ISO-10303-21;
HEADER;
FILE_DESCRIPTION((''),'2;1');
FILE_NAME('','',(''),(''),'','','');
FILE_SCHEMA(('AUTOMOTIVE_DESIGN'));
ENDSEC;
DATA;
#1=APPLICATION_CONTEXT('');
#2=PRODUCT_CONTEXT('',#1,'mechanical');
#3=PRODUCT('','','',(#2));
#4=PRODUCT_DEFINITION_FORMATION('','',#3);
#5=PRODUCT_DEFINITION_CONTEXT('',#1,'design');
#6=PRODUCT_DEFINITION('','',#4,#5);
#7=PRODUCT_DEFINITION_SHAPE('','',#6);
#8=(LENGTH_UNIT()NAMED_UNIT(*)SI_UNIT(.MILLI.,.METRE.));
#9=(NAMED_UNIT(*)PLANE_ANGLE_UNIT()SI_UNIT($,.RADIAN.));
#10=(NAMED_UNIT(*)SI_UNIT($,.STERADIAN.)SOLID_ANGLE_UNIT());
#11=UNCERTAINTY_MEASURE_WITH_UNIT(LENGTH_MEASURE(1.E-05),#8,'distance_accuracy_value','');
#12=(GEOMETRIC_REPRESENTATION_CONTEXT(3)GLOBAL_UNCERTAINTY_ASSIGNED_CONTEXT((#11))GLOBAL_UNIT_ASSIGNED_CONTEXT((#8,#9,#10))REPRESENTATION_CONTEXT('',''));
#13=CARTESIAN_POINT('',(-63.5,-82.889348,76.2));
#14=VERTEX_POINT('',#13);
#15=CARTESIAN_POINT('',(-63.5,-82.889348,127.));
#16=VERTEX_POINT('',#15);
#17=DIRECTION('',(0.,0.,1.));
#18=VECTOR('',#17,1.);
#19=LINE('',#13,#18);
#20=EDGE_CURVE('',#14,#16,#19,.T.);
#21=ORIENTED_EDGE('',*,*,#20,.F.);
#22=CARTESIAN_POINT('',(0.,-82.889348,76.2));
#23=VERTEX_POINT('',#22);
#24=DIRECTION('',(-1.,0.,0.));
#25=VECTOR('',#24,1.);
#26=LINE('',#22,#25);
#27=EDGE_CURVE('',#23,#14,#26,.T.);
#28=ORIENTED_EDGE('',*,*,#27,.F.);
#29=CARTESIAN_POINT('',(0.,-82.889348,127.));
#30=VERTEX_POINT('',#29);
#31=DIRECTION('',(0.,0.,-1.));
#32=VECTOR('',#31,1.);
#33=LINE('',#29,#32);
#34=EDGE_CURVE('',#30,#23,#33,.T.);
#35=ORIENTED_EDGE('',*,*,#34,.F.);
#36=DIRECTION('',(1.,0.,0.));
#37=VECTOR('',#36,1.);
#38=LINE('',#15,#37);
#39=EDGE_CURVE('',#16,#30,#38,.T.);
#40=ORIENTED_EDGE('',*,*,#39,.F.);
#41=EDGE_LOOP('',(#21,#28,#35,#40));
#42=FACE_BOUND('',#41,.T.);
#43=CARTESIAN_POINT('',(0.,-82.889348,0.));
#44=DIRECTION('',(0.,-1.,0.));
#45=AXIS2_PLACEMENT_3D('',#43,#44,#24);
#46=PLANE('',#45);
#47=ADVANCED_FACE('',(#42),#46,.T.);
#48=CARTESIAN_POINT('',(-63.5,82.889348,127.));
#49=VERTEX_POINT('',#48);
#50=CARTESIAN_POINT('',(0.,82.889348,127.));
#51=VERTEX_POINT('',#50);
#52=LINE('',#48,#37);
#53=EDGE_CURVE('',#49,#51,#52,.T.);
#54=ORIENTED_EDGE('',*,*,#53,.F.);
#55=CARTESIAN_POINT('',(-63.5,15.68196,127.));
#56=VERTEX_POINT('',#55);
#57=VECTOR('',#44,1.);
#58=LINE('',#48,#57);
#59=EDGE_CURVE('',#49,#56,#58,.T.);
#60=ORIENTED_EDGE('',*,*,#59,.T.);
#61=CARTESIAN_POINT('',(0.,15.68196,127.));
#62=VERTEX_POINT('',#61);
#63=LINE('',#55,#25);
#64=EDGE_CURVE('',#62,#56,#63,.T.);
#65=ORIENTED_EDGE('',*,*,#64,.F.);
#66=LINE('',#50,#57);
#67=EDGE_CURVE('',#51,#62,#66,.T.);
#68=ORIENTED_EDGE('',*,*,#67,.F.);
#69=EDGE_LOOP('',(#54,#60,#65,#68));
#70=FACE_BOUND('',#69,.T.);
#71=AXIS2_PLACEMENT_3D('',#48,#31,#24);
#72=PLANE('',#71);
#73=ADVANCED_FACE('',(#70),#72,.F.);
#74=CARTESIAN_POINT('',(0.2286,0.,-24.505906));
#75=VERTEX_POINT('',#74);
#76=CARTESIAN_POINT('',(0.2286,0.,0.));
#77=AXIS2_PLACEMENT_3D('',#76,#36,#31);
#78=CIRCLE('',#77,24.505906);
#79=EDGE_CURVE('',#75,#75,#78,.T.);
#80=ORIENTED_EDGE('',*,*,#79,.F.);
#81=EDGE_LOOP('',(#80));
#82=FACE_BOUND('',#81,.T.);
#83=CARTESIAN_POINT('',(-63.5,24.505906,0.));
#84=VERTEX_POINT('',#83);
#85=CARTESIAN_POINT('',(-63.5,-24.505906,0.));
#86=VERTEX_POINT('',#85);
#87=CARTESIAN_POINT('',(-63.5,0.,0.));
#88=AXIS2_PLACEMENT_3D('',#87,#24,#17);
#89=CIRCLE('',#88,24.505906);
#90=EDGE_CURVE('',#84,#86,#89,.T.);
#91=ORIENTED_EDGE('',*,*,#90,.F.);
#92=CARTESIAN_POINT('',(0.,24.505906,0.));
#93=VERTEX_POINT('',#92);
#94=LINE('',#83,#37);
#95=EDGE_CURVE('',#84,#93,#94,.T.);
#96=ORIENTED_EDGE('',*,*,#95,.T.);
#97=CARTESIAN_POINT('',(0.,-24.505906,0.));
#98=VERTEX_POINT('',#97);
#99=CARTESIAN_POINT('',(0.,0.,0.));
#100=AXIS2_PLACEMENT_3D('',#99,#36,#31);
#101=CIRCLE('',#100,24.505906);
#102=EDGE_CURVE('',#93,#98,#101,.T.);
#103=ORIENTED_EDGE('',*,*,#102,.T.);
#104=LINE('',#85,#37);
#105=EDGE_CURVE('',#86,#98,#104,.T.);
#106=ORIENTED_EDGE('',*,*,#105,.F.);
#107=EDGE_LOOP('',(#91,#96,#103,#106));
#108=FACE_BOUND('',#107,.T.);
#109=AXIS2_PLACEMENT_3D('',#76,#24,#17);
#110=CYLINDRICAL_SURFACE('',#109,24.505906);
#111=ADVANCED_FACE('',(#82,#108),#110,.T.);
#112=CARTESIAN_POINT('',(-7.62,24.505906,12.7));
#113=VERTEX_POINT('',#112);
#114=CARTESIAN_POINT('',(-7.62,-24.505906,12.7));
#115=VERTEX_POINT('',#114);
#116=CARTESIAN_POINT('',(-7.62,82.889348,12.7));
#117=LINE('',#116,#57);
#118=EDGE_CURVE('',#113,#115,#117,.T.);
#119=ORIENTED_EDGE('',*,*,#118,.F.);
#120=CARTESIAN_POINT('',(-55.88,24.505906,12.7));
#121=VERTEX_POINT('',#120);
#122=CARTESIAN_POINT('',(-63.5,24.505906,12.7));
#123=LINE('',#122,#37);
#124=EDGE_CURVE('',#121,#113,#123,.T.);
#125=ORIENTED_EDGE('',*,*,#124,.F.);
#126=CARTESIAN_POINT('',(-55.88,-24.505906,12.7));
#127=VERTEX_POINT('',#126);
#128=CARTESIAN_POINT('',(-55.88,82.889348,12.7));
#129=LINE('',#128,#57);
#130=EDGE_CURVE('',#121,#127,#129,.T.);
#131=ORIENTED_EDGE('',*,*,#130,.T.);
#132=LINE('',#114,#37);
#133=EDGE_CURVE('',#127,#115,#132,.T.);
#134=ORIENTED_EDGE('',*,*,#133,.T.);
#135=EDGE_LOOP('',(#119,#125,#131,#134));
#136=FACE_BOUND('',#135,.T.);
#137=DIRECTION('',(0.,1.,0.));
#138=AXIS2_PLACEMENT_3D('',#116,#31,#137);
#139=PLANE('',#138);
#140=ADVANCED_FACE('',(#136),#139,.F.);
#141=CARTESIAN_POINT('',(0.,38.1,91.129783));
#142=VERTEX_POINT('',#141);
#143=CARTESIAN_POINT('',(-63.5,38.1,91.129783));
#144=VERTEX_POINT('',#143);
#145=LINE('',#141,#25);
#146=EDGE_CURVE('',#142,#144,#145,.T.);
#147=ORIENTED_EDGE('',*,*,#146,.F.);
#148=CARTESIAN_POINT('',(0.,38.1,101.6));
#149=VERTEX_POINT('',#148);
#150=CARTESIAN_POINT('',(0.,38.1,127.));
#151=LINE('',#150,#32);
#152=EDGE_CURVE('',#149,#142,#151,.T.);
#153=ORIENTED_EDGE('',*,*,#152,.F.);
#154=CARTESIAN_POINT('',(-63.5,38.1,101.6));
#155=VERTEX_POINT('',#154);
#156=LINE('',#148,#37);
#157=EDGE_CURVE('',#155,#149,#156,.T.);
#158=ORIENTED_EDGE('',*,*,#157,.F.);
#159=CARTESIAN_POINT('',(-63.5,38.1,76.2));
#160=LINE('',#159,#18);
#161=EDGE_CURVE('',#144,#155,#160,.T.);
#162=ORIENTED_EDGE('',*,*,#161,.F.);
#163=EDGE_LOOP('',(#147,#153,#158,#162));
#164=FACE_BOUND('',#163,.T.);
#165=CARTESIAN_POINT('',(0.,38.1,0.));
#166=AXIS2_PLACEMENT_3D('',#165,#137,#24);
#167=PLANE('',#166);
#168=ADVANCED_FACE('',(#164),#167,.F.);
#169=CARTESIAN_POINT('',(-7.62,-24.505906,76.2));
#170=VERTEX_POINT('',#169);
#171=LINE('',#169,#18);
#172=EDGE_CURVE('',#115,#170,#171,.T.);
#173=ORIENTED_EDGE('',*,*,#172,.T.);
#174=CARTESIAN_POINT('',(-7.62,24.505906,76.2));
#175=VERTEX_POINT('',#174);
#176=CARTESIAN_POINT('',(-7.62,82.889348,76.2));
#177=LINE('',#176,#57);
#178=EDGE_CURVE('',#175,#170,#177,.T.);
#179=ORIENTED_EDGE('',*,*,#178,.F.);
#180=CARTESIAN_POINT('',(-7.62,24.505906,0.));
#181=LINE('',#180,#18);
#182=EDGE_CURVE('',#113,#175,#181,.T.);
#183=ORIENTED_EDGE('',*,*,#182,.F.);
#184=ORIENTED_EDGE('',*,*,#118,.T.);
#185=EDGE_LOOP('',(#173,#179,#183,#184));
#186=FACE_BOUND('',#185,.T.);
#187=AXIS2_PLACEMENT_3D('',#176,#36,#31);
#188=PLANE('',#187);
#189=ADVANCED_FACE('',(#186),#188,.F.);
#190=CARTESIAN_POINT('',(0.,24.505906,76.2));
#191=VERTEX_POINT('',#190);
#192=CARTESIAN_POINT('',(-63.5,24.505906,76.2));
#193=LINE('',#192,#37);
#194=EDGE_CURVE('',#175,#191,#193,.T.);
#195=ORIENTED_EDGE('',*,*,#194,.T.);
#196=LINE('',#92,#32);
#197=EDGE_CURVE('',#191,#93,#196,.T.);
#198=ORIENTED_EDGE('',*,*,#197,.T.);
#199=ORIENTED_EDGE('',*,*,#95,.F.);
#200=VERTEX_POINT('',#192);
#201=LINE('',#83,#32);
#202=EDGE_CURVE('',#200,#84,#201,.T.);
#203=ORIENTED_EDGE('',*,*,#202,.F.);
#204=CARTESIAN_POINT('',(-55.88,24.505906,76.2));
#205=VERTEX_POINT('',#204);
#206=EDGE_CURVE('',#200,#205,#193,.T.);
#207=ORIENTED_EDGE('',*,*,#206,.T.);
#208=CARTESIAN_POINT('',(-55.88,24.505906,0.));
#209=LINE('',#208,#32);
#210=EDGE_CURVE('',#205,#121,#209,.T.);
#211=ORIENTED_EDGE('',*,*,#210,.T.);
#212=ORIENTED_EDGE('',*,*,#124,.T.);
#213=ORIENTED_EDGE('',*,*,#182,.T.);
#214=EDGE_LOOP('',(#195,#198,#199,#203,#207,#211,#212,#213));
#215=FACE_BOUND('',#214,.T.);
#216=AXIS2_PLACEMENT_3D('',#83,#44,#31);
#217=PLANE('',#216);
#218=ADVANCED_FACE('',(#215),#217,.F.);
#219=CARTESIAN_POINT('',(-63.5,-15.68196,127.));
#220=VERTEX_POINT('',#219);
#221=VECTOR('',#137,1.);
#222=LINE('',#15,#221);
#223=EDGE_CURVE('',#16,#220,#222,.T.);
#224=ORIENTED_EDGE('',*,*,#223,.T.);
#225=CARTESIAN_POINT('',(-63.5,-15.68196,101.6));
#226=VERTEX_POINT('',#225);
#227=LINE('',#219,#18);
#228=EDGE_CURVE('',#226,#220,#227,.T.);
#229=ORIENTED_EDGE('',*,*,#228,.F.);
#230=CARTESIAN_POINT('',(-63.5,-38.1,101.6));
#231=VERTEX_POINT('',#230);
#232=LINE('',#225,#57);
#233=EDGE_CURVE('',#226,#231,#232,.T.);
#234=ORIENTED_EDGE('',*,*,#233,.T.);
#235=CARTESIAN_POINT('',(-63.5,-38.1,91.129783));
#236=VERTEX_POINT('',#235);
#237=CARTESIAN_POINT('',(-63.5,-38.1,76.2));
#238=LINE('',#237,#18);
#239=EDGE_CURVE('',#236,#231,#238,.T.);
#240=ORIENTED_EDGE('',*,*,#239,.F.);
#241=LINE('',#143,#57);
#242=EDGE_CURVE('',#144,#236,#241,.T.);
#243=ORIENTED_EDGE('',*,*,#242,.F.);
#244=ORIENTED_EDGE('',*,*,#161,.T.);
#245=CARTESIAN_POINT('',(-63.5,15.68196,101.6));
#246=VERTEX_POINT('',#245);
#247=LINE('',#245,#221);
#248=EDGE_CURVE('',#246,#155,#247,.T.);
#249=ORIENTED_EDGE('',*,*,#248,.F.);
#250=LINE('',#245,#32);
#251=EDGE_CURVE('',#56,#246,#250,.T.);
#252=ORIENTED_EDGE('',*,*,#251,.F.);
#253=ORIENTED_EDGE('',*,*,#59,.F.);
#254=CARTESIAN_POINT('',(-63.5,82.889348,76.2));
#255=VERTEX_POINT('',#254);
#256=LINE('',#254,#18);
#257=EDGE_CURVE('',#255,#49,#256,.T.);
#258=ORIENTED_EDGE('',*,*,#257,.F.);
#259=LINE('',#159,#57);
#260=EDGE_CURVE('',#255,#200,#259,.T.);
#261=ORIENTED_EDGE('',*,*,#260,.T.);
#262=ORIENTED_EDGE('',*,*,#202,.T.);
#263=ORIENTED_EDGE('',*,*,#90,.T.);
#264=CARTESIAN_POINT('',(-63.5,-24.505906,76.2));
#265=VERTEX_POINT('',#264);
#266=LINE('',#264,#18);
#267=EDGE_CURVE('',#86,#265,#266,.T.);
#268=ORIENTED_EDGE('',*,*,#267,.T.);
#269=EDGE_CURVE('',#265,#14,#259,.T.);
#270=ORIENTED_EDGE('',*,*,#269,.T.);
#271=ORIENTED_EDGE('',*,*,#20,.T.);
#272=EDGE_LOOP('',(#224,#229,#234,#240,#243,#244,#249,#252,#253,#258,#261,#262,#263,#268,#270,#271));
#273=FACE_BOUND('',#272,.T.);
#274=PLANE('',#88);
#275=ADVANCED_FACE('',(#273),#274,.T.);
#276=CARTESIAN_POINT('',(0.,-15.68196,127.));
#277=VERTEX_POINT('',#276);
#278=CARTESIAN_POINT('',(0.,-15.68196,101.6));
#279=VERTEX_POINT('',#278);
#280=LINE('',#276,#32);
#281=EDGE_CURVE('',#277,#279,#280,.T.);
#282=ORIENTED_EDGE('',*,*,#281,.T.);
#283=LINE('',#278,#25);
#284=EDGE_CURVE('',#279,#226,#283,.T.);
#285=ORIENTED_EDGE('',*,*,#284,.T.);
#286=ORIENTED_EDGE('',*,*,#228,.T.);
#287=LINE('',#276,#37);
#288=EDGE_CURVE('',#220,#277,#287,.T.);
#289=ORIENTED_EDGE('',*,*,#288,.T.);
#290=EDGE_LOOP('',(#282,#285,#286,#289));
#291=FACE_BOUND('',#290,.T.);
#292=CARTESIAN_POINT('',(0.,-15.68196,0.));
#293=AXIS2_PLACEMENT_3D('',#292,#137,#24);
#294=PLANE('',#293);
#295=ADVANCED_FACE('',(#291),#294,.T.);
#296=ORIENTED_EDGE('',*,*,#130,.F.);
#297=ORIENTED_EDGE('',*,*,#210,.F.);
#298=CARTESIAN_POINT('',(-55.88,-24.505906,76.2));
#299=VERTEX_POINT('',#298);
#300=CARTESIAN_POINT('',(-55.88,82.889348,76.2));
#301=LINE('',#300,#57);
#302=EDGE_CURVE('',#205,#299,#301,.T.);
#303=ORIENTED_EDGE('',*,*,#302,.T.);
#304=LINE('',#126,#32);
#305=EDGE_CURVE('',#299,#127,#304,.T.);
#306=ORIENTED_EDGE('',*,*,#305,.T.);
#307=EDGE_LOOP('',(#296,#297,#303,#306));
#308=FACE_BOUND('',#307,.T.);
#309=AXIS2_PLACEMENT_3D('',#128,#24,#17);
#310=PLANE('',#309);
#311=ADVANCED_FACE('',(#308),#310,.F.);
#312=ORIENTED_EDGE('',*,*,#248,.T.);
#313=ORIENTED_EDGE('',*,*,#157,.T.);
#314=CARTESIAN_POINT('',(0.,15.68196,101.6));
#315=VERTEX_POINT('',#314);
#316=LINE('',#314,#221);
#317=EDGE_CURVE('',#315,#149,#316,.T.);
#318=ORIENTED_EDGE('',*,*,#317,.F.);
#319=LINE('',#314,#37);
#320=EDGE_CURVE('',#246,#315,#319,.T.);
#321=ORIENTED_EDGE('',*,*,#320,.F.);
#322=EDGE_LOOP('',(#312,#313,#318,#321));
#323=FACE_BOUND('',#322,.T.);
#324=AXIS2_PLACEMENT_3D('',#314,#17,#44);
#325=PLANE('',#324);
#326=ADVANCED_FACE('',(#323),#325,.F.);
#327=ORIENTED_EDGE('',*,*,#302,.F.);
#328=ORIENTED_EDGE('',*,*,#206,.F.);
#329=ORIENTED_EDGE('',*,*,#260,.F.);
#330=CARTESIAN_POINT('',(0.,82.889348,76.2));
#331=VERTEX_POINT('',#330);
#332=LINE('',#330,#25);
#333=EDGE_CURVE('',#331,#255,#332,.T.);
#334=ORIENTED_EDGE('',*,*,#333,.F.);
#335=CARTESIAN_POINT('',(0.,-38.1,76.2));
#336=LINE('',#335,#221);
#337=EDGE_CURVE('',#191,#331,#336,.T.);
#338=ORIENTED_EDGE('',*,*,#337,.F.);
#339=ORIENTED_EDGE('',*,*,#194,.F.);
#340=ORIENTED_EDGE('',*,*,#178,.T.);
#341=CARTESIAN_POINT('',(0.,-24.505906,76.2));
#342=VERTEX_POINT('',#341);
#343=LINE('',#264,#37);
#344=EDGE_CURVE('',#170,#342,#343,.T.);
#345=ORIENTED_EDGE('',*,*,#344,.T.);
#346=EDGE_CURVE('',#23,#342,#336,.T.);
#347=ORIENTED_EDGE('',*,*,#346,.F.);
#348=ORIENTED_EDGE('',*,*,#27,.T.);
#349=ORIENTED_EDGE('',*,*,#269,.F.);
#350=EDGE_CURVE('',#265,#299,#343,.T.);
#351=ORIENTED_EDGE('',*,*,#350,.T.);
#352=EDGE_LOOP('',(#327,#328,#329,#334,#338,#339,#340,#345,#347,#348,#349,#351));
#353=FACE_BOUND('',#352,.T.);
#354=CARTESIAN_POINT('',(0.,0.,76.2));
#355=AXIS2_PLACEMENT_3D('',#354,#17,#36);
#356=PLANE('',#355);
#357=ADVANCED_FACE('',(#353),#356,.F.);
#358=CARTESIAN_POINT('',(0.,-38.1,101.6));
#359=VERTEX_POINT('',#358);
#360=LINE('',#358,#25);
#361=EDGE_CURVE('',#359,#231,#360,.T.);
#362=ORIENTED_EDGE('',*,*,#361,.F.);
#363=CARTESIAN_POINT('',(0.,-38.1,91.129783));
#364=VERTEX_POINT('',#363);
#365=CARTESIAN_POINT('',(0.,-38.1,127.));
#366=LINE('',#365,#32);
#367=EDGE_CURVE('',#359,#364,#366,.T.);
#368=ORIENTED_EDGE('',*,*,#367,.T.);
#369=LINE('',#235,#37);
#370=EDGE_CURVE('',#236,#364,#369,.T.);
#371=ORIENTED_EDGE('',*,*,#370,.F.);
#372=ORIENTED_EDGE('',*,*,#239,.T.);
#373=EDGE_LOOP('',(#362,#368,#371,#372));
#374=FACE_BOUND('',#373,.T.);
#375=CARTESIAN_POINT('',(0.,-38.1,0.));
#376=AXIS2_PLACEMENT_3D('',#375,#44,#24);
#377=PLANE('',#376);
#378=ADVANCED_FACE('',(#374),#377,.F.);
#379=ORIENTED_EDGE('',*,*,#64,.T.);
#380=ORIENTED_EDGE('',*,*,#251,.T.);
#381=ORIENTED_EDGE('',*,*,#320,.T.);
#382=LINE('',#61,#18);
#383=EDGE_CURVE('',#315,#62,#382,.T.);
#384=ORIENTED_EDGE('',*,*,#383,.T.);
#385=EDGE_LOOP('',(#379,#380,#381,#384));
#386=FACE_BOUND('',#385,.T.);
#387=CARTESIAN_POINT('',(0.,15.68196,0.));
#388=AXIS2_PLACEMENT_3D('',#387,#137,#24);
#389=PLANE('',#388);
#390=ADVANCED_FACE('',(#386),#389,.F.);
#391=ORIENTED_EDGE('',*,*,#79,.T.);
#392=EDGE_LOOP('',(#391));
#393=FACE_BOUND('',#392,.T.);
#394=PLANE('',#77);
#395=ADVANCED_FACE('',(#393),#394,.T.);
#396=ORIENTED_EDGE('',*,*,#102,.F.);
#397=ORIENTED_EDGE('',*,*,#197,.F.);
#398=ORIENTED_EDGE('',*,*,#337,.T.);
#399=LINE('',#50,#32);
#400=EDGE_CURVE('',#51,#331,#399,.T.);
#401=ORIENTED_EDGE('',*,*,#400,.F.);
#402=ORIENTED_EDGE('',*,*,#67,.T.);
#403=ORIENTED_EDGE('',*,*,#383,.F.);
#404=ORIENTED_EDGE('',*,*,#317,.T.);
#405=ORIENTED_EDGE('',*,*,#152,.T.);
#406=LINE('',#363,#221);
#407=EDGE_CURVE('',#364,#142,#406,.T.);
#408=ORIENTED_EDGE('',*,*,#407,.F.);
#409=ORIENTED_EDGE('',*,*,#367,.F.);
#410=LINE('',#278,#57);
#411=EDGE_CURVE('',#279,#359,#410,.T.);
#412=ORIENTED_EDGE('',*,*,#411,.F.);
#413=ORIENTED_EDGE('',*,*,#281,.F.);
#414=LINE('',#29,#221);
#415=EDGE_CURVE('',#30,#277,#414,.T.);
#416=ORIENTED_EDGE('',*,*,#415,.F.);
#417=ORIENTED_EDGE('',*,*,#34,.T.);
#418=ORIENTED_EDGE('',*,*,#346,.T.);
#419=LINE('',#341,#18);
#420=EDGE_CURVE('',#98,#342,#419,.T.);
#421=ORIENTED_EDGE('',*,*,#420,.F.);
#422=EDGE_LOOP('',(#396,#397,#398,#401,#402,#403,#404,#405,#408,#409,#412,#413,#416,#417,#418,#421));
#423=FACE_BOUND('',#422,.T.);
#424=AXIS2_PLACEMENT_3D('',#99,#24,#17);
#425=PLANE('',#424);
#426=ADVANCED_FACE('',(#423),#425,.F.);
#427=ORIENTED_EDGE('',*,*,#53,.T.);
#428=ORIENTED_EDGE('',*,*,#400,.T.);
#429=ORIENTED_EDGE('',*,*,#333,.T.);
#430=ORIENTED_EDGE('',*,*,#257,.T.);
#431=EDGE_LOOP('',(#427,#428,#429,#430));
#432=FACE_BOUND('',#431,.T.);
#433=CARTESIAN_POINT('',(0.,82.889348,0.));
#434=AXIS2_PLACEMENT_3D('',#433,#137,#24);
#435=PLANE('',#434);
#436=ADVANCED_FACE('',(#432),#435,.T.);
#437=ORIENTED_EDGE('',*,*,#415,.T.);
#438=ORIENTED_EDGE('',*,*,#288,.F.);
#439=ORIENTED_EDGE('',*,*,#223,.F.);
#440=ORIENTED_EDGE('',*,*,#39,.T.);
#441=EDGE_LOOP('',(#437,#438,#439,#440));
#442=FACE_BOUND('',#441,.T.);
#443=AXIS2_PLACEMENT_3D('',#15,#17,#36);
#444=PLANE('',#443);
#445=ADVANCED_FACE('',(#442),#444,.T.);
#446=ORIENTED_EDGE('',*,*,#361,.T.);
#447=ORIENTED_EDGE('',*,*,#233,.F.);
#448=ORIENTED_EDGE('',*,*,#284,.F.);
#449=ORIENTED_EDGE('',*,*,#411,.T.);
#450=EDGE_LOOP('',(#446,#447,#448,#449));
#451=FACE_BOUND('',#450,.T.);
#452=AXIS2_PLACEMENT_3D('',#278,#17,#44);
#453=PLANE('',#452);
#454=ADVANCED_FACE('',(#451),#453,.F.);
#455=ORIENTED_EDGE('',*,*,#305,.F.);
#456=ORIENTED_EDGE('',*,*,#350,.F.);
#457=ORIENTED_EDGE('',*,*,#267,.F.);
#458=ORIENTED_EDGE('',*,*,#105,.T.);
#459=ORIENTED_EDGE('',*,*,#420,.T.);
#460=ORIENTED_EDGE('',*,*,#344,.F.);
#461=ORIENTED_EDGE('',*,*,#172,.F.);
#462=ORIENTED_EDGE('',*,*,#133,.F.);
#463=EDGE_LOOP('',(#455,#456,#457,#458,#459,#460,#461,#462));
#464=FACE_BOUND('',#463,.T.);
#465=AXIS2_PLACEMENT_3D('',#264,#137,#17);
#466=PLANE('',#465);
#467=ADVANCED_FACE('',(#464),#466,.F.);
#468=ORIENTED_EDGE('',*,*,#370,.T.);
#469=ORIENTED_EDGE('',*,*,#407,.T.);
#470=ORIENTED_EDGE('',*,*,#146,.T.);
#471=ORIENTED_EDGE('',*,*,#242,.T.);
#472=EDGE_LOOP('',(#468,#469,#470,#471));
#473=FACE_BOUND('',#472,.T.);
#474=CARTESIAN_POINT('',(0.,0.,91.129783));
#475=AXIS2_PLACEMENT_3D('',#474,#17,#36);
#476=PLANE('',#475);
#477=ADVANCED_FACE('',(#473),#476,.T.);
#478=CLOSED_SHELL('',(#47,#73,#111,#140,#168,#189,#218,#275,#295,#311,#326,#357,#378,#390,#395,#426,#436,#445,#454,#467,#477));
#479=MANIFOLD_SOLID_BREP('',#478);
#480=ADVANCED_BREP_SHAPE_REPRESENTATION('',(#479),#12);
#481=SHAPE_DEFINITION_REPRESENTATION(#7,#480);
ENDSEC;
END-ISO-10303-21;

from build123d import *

# Parameters (mm, degrees)
SKETCH1_R           = 24.505905818
BOSS_EXTRUDE1_DEPTH = 0.2286
BOSS_EXTRUDE2_START = 63.5
BOSS_EXTRUDE2_DEPTH = 63.5
SKETCH4_W           = 63.5
SKETCH4_H           = 76.2
BOSS_EXTRUDE4_DEPTH = 14.929782549
SKETCH5_W           = 63.5
SKETCH5_H           = 50.8
BOSS_EXTRUDE5_DEPTH = 44.789347647
SKETCH7_W           = 63.5
SKETCH7_H           = 25.4
BOSS_EXTRUDE7_DEPTH = 22.41804
SKETCH8_W           = 63.5
SKETCH8_H           = 25.4
BOSS_EXTRUDE8_DEPTH = 22.41804
SKETCH9_W           = 48.26
SKETCH9_H           = 63.5
CUT_EXTRUDE1_DEPTH  = 179.030869421


with BuildPart() as part:
    # Sketch1 → Boss-Extrude1 (new body)
    with BuildSketch(Plane.YZ):
        Circle(SKETCH1_R)
    extrude(amount=BOSS_EXTRUDE1_DEPTH)

    # Sketch2 → Boss-Extrude2 (add)
    with BuildSketch(Plane(origin=(0, 0, 0), x_dir=(0, -1, 0), z_dir=(-1, 0, 0)).offset(BOSS_EXTRUDE2_START)):
        with BuildLine():
            Line((-24.505905818, 0), (-24.505905818, 76.2))
            Line((-24.505905818, 76.2), (24.505905818, 76.2))
            Line((24.505905818, 76.2), (24.505905818, 0))
            ThreePointArc((24.505905818, 0), (0, -24.505905818), (-24.505905818, 0))
        make_face()
    extrude(amount=-BOSS_EXTRUDE2_DEPTH)

    # Sketch4 → Boss-Extrude4 (add)
    with BuildSketch(Plane.XY.offset(76.2)):
        with Locations((-31.75, 0)):
            Rectangle(SKETCH4_W, SKETCH4_H)
    extrude(amount=BOSS_EXTRUDE4_DEPTH)

    # Sketch5 → Boss-Extrude5 (add)
    with BuildSketch(Plane(origin=(0, 38.1, 0), x_dir=(-1, 0, 0), z_dir=(0, 1, 0))):
        with Locations((31.75, 101.6)):
            Rectangle(SKETCH5_W, SKETCH5_H)
    boss_extrude5 = extrude(amount=BOSS_EXTRUDE5_DEPTH)

    # Mirror1: Boss-Extrude5 across plane
    add(boss_extrude5.mirror(Plane.ZX))

    # Sketch7 → Boss-Extrude7 (add)
    with BuildSketch(Plane.XZ.offset(-38.1)):
        with Locations((-31.75, 114.3)):
            Rectangle(SKETCH7_W, SKETCH7_H)
    extrude(amount=BOSS_EXTRUDE7_DEPTH)

    # Sketch8 → Boss-Extrude8 (add)
    with BuildSketch(Plane(origin=(0, -38.1, 0), x_dir=(-1, 0, 0), z_dir=(0, 1, 0))):
        with Locations((31.75, 114.3)):
            Rectangle(SKETCH8_W, SKETCH8_H)
    extrude(amount=BOSS_EXTRUDE8_DEPTH)

    # Sketch9 → Cut-Extrude1 (cut, through all)
    with BuildSketch(Plane.XZ.offset(24.505905818)):
        with Locations((-31.75, 44.45)):
            Rectangle(SKETCH9_W, SKETCH9_H)
    extrude(amount=-CUT_EXTRUDE1_DEPTH, mode=Mode.SUBTRACT)


solid = part.part
